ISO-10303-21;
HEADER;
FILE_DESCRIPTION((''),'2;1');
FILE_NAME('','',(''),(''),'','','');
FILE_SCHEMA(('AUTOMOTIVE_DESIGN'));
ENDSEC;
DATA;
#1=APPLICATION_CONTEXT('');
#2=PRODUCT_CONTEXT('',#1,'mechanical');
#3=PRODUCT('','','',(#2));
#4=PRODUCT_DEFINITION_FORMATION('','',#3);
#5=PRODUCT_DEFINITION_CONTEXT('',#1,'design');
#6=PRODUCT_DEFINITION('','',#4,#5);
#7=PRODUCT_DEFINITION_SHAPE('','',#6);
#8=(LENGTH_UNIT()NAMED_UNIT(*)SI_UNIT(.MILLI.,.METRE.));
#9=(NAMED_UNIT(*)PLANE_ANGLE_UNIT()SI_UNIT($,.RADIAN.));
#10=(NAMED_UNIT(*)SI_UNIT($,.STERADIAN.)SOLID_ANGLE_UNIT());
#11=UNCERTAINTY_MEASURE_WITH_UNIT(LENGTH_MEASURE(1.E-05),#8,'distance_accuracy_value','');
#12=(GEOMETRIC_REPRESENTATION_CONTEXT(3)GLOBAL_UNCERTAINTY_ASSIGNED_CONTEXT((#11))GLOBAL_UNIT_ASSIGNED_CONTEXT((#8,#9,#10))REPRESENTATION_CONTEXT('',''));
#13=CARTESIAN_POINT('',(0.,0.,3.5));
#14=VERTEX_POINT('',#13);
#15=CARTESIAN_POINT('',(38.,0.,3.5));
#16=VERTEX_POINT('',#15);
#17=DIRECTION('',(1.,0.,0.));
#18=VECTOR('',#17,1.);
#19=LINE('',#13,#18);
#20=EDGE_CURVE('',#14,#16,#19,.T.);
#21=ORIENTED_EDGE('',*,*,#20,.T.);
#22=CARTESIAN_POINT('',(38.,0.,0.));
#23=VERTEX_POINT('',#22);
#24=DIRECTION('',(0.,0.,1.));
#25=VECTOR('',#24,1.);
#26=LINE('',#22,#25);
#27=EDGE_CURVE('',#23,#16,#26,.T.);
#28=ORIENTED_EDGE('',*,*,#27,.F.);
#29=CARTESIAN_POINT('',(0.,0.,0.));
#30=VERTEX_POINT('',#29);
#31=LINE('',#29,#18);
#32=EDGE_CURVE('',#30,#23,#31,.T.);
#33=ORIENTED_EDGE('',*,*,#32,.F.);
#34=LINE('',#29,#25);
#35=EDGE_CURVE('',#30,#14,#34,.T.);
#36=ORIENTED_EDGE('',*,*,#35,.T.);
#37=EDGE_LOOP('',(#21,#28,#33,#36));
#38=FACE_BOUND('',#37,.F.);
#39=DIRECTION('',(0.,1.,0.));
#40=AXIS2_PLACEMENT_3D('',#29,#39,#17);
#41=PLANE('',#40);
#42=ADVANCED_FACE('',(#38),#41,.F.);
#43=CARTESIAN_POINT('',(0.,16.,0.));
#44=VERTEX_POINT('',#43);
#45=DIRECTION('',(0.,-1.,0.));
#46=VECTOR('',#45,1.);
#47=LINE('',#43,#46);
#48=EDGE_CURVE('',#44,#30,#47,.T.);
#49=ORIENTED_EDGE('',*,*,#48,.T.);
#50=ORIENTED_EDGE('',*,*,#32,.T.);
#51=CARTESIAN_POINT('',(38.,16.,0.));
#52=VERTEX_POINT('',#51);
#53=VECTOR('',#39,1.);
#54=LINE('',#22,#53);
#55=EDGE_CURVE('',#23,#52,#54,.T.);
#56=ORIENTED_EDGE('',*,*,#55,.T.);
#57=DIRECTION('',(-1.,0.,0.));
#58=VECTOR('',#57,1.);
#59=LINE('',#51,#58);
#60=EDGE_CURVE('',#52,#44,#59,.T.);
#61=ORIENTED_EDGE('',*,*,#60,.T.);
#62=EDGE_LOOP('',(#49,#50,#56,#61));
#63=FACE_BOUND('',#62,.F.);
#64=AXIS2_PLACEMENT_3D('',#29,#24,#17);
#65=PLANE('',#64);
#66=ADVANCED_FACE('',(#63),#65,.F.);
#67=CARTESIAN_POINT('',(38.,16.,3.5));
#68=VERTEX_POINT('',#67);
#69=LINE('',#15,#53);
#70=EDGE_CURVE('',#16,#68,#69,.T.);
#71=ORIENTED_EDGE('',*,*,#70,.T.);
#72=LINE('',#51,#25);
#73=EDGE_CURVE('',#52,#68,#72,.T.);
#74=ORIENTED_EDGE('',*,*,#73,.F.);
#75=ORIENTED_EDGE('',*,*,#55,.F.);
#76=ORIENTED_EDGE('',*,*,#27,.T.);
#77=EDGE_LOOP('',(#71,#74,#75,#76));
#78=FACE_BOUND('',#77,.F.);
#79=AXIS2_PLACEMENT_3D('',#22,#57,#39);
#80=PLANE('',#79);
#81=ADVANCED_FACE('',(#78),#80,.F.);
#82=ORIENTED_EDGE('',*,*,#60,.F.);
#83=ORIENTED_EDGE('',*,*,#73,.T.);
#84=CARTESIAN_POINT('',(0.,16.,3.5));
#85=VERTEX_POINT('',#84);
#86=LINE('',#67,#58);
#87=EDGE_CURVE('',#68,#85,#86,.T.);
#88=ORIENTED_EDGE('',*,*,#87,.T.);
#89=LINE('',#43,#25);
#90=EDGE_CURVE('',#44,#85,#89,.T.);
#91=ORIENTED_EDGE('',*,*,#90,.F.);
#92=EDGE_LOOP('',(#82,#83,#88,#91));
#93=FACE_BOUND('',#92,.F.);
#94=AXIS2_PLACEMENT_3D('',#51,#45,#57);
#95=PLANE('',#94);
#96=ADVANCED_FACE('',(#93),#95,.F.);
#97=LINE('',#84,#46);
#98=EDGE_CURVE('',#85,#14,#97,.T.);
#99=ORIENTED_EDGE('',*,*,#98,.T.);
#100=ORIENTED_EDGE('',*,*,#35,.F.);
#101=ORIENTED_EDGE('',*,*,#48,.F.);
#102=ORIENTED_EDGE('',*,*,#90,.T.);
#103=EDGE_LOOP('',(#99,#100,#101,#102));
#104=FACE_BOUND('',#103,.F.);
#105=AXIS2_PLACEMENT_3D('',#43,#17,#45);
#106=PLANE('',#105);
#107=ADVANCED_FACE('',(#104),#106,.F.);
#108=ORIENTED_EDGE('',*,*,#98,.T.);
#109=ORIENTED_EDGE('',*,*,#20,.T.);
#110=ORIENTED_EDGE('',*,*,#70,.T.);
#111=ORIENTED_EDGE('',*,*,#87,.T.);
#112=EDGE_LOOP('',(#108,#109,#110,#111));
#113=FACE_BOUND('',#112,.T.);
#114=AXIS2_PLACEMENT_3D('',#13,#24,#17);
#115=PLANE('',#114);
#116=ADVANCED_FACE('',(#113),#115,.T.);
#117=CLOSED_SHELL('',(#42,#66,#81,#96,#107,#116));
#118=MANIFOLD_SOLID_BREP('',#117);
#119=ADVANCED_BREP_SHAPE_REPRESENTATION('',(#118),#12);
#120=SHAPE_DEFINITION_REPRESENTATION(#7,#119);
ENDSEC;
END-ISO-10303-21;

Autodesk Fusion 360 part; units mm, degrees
sketch "Sketch1" plane through (0, 0, 0) normal (0, 0, 1) x (1, 0, 0)
  line L0 (0, 0) -> (38, 0)
  line L1 (38, 0) -> (38, 16)
  line L2 (38, 16) -> (0, 16)
  line L3 (0, 16) -> (0, 0)
  dimension "d1" = 16
  dimension "d2" = 38
extrude "Extrude1" add sketch "Sketch1" along normal blind 3.5
